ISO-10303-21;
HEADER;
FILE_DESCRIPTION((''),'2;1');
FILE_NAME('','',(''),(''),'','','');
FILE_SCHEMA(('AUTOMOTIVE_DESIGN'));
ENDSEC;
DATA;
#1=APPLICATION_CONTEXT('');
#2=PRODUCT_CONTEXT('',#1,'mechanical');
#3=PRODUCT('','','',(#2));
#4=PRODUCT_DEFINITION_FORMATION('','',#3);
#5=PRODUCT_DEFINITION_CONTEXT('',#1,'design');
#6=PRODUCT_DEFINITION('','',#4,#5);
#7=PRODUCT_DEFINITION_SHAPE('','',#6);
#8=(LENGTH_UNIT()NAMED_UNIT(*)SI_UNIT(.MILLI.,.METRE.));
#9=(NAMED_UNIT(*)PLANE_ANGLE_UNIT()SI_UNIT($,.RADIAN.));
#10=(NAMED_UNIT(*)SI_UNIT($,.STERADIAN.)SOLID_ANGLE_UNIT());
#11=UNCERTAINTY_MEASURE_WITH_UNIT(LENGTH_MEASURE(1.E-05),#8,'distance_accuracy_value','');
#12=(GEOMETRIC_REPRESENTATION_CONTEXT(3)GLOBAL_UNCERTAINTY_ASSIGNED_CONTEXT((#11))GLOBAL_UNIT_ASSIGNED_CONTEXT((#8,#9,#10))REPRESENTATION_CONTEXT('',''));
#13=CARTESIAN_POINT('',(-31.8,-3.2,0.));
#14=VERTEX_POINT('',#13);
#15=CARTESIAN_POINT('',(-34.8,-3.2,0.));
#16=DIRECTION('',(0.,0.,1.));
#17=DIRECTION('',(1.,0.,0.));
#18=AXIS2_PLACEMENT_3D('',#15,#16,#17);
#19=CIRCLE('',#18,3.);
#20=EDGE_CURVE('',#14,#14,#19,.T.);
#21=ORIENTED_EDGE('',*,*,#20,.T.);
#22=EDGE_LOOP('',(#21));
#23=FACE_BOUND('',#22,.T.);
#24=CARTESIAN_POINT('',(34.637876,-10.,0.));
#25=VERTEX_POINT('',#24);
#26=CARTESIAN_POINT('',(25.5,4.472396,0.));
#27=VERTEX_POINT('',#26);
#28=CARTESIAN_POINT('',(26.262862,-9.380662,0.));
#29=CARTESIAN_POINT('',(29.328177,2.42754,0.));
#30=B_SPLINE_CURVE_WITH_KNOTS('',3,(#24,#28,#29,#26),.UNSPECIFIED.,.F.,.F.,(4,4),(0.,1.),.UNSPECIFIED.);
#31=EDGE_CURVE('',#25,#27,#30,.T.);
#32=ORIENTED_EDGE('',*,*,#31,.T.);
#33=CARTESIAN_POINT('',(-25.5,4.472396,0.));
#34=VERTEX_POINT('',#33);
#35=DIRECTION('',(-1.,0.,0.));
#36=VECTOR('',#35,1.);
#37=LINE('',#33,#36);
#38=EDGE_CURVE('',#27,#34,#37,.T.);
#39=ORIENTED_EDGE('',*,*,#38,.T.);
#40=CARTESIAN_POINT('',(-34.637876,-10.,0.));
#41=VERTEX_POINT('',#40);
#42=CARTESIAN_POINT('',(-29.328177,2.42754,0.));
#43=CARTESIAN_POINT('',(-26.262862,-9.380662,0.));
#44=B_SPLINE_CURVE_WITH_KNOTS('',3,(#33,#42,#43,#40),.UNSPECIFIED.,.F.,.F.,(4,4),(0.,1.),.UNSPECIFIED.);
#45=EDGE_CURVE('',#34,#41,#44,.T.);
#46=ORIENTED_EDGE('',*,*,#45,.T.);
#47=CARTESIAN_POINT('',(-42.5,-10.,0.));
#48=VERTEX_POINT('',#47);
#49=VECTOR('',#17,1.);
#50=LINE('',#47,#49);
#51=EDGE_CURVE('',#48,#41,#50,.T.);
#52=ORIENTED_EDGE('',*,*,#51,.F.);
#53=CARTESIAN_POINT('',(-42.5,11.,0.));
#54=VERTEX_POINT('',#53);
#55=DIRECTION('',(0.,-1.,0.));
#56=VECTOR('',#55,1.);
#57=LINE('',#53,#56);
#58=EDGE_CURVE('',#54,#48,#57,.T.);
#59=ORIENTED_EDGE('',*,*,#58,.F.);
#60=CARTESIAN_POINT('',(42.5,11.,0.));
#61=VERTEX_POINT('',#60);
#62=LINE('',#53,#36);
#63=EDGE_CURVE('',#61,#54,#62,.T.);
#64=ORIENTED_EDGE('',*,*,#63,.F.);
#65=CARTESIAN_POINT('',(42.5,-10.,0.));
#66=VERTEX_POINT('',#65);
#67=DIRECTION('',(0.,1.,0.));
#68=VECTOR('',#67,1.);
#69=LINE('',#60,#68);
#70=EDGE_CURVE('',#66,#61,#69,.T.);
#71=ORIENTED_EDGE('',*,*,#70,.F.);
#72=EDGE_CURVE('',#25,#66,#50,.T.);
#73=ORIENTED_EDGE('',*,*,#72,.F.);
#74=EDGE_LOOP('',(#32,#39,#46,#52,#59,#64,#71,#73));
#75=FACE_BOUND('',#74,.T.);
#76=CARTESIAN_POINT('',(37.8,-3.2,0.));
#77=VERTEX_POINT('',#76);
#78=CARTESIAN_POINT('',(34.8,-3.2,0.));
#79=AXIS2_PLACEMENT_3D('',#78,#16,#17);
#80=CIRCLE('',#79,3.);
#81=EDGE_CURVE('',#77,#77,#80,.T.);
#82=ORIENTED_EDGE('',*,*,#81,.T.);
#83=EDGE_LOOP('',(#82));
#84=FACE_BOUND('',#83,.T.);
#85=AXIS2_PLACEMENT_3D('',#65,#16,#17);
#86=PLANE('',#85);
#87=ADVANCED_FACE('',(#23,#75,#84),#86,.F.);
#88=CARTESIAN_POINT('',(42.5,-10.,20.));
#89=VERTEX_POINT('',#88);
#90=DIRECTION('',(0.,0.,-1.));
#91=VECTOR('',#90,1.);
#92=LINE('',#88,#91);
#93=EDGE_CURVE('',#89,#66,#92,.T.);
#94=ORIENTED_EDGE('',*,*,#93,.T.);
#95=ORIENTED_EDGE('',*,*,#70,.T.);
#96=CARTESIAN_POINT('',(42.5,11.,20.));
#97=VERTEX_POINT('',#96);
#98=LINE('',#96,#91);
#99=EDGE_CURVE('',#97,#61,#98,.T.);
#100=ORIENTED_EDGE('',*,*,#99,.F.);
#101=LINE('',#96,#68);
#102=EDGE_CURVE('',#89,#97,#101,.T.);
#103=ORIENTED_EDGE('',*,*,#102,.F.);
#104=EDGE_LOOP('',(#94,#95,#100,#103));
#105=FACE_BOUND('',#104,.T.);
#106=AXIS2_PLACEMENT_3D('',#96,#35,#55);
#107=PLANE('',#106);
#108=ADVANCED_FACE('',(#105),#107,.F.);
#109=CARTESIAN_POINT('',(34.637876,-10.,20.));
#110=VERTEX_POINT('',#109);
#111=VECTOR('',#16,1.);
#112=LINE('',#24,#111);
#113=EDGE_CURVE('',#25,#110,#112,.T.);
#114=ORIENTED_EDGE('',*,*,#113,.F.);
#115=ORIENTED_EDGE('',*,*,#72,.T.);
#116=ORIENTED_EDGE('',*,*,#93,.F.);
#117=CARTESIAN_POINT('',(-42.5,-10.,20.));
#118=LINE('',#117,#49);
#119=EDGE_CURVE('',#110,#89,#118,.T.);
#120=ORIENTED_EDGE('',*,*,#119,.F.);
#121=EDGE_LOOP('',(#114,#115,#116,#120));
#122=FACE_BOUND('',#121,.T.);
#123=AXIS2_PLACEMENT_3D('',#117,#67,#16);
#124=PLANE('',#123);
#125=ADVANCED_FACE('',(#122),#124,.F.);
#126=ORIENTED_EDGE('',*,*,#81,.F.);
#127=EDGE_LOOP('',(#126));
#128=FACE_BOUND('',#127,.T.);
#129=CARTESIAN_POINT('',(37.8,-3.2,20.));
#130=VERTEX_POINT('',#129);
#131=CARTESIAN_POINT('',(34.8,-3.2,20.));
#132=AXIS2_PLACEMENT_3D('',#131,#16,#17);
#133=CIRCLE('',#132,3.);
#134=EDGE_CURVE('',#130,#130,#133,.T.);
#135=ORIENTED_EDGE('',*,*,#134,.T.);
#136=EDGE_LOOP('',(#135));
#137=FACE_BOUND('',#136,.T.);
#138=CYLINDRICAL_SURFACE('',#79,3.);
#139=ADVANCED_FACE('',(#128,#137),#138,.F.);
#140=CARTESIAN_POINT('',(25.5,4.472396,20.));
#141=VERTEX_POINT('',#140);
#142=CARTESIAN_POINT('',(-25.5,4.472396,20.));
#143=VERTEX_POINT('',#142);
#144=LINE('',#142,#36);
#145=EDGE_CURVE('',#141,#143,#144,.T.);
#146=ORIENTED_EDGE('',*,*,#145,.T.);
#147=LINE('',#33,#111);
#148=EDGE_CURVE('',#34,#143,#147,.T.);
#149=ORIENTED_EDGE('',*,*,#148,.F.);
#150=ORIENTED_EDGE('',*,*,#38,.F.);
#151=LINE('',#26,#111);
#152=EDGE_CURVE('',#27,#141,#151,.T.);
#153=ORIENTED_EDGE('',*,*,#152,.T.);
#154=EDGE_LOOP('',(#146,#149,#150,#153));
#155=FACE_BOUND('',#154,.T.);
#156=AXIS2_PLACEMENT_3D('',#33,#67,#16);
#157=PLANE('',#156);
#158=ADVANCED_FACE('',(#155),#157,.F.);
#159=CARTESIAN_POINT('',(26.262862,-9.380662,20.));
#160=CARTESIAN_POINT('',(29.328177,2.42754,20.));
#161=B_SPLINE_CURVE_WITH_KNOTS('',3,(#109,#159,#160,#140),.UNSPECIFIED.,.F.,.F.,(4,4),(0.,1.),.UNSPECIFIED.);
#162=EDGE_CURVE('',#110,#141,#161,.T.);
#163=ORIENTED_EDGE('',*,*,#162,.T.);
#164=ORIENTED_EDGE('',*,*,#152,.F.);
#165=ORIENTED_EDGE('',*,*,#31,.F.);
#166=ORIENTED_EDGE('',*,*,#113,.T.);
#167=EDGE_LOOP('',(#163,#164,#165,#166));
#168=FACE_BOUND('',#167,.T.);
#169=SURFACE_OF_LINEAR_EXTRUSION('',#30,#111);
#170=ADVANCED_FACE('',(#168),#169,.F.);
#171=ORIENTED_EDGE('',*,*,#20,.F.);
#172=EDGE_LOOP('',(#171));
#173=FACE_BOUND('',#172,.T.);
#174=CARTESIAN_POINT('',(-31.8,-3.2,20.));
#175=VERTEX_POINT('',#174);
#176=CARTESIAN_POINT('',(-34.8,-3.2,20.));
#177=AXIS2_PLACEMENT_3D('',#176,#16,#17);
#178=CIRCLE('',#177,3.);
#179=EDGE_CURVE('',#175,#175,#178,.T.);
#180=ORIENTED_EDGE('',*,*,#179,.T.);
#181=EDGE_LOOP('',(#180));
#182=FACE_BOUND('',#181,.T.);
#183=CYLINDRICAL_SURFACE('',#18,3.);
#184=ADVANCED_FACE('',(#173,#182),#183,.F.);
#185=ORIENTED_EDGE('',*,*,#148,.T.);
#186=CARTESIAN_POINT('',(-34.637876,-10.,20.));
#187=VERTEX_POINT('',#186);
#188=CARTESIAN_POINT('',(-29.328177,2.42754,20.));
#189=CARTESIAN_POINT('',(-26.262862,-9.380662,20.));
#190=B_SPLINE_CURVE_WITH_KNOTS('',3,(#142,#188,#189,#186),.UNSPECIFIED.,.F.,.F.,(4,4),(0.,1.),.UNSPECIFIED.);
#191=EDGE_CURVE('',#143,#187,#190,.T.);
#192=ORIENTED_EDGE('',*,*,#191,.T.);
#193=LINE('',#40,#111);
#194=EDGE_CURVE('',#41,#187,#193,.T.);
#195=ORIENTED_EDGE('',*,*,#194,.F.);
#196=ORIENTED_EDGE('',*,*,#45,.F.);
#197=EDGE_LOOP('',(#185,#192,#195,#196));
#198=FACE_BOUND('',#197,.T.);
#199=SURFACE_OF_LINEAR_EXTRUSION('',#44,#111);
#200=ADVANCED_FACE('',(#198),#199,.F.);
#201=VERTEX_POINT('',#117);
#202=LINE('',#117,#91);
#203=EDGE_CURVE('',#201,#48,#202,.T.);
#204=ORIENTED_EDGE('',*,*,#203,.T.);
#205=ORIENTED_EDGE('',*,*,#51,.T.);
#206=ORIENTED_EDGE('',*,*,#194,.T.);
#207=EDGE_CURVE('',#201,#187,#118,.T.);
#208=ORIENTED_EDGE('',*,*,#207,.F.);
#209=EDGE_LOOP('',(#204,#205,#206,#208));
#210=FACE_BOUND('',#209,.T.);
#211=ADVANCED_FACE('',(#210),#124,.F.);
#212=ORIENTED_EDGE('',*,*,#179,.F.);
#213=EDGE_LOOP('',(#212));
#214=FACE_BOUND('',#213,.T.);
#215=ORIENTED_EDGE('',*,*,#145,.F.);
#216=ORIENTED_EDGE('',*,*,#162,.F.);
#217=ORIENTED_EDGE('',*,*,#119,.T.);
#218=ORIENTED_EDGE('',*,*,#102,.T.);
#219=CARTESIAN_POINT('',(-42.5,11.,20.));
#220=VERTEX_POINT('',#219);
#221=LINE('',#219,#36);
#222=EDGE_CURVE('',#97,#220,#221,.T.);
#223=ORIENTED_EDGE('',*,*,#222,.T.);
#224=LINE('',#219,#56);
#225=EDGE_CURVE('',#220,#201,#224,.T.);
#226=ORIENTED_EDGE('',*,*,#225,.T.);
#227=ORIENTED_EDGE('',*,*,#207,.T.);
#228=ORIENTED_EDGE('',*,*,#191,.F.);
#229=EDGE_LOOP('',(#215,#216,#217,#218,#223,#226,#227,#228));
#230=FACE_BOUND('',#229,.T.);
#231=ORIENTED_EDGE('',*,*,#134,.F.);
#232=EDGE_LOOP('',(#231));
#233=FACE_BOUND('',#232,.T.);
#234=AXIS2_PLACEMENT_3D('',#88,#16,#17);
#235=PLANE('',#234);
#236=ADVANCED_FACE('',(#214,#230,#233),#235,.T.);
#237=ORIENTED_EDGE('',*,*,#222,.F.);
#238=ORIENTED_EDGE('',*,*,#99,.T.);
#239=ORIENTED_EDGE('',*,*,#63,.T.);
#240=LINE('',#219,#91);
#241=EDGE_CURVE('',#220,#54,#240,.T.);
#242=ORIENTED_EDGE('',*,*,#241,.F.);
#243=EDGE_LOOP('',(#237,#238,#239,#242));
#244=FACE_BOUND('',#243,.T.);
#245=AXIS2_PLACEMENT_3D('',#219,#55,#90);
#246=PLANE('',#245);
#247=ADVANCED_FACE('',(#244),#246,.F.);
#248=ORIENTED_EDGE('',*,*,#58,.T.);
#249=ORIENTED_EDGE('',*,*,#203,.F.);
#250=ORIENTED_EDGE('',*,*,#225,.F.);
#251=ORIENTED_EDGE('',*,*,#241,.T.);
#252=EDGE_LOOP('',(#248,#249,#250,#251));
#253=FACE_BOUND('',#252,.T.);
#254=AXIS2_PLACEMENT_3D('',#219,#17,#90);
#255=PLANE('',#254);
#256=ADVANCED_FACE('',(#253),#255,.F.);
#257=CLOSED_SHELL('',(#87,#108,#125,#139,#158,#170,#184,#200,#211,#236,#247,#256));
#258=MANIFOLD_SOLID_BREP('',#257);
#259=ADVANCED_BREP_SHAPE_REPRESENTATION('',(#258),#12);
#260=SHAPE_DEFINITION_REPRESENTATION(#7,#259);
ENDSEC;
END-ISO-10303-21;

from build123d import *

# Parameters (mm, degrees)
SKETCH_3_W          = 85
SKETCH_3_H          = 21
EXTRUDE_2_DEPTH     = 20
SKETCH_4_R          = 3
CUT_EXTRUDE_2_DEPTH = 49.241579576
CUT_EXTRUDE_3_DEPTH = 49.241579576


with BuildPart() as part:
    # Эскиз3 → Вытянуть2 (new body)
    with BuildSketch(Plane.XY):
        with Locations((0, 0.5)):
            Rectangle(SKETCH_3_W, SKETCH_3_H)
    extrude(amount=EXTRUDE_2_DEPTH)

    # Эскиз4 → Вырез-Вытянуть2 (cut, through all)
    with BuildSketch(Plane.XY.offset(20)):
        with Locations((-34.8, -3.2)):
            Circle(SKETCH_4_R)
        with Locations((34.8, -3.2)):
            Circle(SKETCH_4_R)
    extrude(amount=-CUT_EXTRUDE_2_DEPTH, mode=Mode.SUBTRACT)

    # Эскиз6 → Вырез-Вытянуть3 (cut, through all)
    with BuildSketch(Plane.XY.offset(20)):
        with BuildLine():
            Line((-34.63787593, -10), (34.63787593, -10))
            add(Edge.make_bspline(
                [(25.5, 4.472396239), (29.328176933, 2.427539869), (26.262862424, -9.380662075), (34.63787593, -10)],
                knots=[0, 0, 0, 0, 1, 1, 1, 1], degree=3))
            Line((25.5, 4.472396239), (-25.5, 4.472396239))
            add(Edge.make_bspline(
                [(-25.5, 4.472396239), (-29.328176933, 2.427539869), (-26.262862424, -9.380662075), (-34.63787593, -10)],
                knots=[0, 0, 0, 0, 1, 1, 1, 1], degree=3))
        make_face()
    extrude(amount=-CUT_EXTRUDE_3_DEPTH, mode=Mode.SUBTRACT)


solid = part.part
